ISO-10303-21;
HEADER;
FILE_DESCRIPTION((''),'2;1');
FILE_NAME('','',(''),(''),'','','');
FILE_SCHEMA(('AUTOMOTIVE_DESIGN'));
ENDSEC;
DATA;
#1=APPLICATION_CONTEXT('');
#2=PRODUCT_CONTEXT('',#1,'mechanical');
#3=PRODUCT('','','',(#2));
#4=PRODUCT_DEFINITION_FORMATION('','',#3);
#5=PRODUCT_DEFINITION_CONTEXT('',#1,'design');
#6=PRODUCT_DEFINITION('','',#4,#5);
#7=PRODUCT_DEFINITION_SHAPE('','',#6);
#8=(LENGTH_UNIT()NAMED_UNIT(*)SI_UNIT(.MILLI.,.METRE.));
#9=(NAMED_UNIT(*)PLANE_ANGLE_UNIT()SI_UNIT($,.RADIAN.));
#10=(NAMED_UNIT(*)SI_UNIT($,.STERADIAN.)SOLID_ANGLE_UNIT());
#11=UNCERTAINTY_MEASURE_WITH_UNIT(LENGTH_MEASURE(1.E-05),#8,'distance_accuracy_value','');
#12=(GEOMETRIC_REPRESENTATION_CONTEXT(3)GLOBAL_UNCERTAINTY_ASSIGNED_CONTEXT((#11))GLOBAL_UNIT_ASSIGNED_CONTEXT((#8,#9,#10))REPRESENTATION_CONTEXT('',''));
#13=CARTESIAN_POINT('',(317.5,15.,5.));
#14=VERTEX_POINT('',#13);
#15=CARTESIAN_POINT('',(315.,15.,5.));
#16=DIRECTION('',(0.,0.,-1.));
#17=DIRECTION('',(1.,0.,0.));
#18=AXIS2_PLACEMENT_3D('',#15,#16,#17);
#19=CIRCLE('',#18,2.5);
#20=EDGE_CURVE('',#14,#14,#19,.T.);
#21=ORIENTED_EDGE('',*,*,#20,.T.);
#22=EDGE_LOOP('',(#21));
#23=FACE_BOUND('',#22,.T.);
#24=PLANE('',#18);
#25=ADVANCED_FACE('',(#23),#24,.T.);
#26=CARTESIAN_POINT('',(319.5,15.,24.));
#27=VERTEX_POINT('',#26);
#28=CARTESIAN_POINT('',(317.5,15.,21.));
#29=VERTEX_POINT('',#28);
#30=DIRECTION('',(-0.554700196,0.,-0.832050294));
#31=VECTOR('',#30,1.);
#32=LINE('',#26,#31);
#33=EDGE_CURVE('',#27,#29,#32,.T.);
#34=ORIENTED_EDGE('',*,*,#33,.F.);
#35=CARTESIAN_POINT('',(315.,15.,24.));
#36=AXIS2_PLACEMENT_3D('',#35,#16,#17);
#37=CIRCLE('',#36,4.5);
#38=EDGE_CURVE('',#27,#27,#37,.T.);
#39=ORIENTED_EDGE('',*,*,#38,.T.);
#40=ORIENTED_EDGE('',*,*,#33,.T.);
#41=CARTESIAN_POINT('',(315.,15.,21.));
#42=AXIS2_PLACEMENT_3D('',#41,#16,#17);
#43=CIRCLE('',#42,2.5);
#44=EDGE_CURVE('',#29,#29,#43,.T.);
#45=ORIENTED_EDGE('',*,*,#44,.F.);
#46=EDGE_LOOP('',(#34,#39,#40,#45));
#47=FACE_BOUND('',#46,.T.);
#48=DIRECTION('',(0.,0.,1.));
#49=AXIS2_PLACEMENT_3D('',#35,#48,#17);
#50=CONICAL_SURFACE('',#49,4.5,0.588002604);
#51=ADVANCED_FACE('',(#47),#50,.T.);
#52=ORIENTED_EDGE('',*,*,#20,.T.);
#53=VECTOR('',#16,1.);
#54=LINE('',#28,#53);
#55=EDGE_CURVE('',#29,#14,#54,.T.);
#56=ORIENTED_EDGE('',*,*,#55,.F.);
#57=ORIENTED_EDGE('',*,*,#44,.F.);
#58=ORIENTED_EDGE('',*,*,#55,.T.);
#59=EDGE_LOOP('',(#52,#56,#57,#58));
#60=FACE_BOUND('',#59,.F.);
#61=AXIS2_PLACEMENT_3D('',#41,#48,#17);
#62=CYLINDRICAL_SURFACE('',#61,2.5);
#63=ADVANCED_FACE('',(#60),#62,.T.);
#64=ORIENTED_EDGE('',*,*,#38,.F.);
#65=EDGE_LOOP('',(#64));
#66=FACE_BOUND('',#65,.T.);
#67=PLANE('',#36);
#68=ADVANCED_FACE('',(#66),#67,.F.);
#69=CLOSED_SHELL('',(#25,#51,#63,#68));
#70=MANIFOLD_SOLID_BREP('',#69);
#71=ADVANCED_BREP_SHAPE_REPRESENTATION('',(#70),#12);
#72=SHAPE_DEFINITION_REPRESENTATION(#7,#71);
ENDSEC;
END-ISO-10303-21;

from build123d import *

# Parameters (mm, degrees)
CYLINDER011_R                   = 2.5
CYLINDER011_DEPTH               = 16
FUSION001018017_PLACEMENT_ANGLE = 180
CLONE013_PLACEMENT_ANGLE        = 180


with BuildPart() as cone003:
    # Cone003 → Cone003 (revolve)
    with BuildSketch(Plane(origin=(0, 0, -3), x_dir=(1, 0, 0), z_dir=(0, -1, 0))):
        Polygon((0, 0), (4.5, 0), (2.5, 3), (0, 3), align=None)
    revolve(axis=Axis((0, 0, -3), (0, 0, 1)))


with BuildPart() as m5x16_senkkopf010:
    # Cylinder011 → Cylinder011 (new body)
    with BuildSketch(Plane.XY):
        Circle(CYLINDER011_R)
    extrude(amount=CYLINDER011_DEPTH)

    # Fusion001018017: union Cone003
    add(cone003.part)


with BuildPart() as m5x16_senkkopf010_1:
    # Fusion001018017 placement: moved
    add(m5x16_senkkopf010.part.moved(Location((45, 15, 21))).rotate(Axis((45, 15, 21), (0, 1, 0)), FUSION001018017_PLACEMENT_ANGLE))


with BuildPart() as m5x16_senkkopf010_2:
    # Clone013 placement: moved
    add(m5x16_senkkopf010_1.part.moved(Location((90, 30, 0))).rotate(Axis((90, 30, 0), (0, 0, 1)), CLONE013_PLACEMENT_ANGLE))


with BuildPart() as m5x16_senkkopf010_3:
    # Clone026 placement: moved
    add(m5x16_senkkopf010_2.part.moved(Location((270, 0, 0))))


solid = m5x16_senkkopf010_3.part
